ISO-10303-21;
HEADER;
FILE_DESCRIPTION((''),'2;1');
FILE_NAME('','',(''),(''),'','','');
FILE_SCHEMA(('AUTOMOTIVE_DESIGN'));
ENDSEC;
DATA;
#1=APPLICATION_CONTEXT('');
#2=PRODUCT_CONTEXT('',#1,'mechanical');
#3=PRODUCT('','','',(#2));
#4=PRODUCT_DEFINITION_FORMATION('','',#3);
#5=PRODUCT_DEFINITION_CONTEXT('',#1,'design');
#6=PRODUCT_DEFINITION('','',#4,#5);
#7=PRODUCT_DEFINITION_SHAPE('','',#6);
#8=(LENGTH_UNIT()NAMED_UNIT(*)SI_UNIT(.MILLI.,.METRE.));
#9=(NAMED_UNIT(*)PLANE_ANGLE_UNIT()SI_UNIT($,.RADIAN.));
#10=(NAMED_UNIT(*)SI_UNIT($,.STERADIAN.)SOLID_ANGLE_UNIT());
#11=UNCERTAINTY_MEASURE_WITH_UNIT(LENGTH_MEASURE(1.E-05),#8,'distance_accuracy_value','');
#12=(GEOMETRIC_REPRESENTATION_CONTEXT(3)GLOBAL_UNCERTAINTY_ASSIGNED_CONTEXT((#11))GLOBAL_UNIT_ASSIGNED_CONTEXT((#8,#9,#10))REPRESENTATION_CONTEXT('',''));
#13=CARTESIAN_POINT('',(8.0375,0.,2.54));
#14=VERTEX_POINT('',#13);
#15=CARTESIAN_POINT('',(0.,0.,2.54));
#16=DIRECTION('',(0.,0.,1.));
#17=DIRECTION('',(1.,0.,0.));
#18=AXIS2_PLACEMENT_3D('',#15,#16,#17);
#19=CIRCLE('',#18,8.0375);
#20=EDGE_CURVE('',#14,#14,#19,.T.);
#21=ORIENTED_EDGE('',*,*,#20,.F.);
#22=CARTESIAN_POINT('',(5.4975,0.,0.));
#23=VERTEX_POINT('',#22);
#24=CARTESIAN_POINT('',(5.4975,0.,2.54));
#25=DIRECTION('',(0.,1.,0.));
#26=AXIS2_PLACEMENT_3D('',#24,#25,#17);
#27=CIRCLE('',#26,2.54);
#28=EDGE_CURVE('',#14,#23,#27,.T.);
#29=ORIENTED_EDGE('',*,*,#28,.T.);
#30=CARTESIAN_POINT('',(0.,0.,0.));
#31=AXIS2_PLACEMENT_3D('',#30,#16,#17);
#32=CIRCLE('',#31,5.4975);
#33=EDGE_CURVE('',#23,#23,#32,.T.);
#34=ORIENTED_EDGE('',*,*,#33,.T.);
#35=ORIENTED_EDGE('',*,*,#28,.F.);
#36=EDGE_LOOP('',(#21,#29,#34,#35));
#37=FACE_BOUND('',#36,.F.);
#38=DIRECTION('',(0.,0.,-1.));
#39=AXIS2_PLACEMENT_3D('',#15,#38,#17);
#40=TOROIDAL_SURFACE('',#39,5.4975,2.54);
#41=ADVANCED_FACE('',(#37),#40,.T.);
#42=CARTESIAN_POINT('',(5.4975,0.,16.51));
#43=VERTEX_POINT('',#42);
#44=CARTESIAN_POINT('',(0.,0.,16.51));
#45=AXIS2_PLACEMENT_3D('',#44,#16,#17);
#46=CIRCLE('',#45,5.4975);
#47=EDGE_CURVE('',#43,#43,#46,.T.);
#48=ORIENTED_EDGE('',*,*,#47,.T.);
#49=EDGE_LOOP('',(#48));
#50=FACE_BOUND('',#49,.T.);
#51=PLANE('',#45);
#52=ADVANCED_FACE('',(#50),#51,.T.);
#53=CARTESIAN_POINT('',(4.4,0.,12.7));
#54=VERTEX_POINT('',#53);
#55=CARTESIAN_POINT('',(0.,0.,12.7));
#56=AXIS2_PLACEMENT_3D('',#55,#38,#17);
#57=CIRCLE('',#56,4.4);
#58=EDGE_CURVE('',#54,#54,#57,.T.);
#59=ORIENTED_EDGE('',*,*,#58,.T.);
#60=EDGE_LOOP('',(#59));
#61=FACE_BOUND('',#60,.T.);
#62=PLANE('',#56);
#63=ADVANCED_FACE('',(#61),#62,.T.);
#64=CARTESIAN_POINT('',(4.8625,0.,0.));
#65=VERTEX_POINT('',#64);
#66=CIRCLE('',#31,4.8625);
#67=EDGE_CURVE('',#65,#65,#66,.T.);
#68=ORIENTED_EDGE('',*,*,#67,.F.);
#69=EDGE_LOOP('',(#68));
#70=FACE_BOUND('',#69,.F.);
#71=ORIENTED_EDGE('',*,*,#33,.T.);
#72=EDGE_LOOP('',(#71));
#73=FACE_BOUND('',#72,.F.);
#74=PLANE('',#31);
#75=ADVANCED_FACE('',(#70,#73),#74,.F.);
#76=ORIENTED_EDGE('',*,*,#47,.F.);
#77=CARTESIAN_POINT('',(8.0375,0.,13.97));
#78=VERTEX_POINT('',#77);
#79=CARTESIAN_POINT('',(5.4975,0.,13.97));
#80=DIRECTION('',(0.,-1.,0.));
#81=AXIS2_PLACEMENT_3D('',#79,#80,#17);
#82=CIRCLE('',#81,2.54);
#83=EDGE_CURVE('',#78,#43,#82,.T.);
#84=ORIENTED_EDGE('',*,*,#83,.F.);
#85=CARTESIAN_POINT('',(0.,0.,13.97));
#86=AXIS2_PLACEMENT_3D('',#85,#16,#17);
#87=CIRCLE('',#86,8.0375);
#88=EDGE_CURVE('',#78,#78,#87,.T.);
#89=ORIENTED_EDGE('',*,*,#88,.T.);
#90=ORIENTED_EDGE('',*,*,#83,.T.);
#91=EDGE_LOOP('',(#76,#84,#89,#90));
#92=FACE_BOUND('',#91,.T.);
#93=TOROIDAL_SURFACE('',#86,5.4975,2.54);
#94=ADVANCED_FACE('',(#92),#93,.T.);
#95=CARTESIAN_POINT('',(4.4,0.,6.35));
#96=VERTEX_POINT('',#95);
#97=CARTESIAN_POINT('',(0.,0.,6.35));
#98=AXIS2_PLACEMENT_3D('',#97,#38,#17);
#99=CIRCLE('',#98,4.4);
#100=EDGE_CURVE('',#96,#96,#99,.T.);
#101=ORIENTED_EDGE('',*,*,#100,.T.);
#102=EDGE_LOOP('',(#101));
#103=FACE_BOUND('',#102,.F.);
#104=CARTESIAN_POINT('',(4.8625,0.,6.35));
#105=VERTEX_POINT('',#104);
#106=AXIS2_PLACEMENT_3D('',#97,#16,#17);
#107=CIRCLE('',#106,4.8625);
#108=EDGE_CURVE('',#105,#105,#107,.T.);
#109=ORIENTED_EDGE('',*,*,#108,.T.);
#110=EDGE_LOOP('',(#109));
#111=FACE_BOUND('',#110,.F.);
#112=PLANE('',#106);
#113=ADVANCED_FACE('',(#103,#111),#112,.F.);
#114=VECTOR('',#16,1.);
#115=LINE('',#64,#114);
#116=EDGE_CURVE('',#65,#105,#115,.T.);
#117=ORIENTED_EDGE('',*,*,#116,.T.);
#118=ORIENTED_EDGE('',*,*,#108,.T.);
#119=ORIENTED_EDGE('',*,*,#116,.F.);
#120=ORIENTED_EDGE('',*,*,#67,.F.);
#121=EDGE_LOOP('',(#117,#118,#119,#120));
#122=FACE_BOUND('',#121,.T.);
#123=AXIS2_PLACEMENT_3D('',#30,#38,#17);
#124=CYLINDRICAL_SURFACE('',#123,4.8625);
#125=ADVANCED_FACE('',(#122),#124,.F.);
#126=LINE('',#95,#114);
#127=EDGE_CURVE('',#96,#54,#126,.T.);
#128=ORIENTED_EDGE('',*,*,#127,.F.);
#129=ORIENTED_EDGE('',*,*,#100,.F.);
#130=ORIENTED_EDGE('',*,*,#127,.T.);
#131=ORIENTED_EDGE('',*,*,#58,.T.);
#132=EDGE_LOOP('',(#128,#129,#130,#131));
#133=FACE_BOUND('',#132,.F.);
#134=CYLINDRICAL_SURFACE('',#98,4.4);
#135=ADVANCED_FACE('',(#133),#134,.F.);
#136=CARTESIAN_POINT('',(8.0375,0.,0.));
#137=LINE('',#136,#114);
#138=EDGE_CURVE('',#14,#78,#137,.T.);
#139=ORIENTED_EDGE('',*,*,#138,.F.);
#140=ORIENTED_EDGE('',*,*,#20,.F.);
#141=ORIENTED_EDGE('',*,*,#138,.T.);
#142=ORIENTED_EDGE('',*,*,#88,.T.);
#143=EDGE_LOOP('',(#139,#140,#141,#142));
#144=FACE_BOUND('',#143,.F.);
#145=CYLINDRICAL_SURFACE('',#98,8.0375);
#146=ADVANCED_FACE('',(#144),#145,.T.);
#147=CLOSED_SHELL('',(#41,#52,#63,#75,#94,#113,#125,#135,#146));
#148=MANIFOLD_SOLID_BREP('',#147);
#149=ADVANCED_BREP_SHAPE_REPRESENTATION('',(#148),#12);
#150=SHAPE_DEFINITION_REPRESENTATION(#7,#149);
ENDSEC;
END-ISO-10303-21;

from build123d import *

# Parameters (mm, degrees)
F0_R     = 8.0375
F0_R_2   = 4.8625
F1_DEPTH = 6.35
F2_R     = 8.0375
F3_DEPTH = 10.16
F4_R     = 2.54
F5_R     = 4.4
F6_DEPTH = 6.35
F7_R     = 2.54


with BuildPart() as f1:
    # F0 (on Top) → F1 (new body)
    with BuildSketch(Plane.XY):
        Circle(F0_R)
        Circle(F0_R_2, mode=Mode.SUBTRACT)
    extrude(amount=F1_DEPTH)

    # F2 (on face) → F3 (join)
    with BuildSketch(Plane.XY.offset(6.35)):
        Circle(F2_R)
    extrude(amount=F3_DEPTH)

    # F4
    f4_edges = [f1.edges().sort_by_distance(p)[0] for p in [
        (-8.0375, 0, 0),
    ]]
    fillet(f4_edges, radius=F4_R)

    # F5 (on face) → F6 (cut)
    with BuildSketch(Plane(origin=(0, 0, 6.35), x_dir=(1, 0, 0), z_dir=(0, 0, -1))):
        Circle(F5_R)
    extrude(amount=-F6_DEPTH, mode=Mode.SUBTRACT)

    # F7
    f7_edges = [f1.edges().sort_by_distance(p)[0] for p in [
        (-8.0375, 0, 16.51),
    ]]
    fillet(f7_edges, radius=F7_R)


solid = f1.part
